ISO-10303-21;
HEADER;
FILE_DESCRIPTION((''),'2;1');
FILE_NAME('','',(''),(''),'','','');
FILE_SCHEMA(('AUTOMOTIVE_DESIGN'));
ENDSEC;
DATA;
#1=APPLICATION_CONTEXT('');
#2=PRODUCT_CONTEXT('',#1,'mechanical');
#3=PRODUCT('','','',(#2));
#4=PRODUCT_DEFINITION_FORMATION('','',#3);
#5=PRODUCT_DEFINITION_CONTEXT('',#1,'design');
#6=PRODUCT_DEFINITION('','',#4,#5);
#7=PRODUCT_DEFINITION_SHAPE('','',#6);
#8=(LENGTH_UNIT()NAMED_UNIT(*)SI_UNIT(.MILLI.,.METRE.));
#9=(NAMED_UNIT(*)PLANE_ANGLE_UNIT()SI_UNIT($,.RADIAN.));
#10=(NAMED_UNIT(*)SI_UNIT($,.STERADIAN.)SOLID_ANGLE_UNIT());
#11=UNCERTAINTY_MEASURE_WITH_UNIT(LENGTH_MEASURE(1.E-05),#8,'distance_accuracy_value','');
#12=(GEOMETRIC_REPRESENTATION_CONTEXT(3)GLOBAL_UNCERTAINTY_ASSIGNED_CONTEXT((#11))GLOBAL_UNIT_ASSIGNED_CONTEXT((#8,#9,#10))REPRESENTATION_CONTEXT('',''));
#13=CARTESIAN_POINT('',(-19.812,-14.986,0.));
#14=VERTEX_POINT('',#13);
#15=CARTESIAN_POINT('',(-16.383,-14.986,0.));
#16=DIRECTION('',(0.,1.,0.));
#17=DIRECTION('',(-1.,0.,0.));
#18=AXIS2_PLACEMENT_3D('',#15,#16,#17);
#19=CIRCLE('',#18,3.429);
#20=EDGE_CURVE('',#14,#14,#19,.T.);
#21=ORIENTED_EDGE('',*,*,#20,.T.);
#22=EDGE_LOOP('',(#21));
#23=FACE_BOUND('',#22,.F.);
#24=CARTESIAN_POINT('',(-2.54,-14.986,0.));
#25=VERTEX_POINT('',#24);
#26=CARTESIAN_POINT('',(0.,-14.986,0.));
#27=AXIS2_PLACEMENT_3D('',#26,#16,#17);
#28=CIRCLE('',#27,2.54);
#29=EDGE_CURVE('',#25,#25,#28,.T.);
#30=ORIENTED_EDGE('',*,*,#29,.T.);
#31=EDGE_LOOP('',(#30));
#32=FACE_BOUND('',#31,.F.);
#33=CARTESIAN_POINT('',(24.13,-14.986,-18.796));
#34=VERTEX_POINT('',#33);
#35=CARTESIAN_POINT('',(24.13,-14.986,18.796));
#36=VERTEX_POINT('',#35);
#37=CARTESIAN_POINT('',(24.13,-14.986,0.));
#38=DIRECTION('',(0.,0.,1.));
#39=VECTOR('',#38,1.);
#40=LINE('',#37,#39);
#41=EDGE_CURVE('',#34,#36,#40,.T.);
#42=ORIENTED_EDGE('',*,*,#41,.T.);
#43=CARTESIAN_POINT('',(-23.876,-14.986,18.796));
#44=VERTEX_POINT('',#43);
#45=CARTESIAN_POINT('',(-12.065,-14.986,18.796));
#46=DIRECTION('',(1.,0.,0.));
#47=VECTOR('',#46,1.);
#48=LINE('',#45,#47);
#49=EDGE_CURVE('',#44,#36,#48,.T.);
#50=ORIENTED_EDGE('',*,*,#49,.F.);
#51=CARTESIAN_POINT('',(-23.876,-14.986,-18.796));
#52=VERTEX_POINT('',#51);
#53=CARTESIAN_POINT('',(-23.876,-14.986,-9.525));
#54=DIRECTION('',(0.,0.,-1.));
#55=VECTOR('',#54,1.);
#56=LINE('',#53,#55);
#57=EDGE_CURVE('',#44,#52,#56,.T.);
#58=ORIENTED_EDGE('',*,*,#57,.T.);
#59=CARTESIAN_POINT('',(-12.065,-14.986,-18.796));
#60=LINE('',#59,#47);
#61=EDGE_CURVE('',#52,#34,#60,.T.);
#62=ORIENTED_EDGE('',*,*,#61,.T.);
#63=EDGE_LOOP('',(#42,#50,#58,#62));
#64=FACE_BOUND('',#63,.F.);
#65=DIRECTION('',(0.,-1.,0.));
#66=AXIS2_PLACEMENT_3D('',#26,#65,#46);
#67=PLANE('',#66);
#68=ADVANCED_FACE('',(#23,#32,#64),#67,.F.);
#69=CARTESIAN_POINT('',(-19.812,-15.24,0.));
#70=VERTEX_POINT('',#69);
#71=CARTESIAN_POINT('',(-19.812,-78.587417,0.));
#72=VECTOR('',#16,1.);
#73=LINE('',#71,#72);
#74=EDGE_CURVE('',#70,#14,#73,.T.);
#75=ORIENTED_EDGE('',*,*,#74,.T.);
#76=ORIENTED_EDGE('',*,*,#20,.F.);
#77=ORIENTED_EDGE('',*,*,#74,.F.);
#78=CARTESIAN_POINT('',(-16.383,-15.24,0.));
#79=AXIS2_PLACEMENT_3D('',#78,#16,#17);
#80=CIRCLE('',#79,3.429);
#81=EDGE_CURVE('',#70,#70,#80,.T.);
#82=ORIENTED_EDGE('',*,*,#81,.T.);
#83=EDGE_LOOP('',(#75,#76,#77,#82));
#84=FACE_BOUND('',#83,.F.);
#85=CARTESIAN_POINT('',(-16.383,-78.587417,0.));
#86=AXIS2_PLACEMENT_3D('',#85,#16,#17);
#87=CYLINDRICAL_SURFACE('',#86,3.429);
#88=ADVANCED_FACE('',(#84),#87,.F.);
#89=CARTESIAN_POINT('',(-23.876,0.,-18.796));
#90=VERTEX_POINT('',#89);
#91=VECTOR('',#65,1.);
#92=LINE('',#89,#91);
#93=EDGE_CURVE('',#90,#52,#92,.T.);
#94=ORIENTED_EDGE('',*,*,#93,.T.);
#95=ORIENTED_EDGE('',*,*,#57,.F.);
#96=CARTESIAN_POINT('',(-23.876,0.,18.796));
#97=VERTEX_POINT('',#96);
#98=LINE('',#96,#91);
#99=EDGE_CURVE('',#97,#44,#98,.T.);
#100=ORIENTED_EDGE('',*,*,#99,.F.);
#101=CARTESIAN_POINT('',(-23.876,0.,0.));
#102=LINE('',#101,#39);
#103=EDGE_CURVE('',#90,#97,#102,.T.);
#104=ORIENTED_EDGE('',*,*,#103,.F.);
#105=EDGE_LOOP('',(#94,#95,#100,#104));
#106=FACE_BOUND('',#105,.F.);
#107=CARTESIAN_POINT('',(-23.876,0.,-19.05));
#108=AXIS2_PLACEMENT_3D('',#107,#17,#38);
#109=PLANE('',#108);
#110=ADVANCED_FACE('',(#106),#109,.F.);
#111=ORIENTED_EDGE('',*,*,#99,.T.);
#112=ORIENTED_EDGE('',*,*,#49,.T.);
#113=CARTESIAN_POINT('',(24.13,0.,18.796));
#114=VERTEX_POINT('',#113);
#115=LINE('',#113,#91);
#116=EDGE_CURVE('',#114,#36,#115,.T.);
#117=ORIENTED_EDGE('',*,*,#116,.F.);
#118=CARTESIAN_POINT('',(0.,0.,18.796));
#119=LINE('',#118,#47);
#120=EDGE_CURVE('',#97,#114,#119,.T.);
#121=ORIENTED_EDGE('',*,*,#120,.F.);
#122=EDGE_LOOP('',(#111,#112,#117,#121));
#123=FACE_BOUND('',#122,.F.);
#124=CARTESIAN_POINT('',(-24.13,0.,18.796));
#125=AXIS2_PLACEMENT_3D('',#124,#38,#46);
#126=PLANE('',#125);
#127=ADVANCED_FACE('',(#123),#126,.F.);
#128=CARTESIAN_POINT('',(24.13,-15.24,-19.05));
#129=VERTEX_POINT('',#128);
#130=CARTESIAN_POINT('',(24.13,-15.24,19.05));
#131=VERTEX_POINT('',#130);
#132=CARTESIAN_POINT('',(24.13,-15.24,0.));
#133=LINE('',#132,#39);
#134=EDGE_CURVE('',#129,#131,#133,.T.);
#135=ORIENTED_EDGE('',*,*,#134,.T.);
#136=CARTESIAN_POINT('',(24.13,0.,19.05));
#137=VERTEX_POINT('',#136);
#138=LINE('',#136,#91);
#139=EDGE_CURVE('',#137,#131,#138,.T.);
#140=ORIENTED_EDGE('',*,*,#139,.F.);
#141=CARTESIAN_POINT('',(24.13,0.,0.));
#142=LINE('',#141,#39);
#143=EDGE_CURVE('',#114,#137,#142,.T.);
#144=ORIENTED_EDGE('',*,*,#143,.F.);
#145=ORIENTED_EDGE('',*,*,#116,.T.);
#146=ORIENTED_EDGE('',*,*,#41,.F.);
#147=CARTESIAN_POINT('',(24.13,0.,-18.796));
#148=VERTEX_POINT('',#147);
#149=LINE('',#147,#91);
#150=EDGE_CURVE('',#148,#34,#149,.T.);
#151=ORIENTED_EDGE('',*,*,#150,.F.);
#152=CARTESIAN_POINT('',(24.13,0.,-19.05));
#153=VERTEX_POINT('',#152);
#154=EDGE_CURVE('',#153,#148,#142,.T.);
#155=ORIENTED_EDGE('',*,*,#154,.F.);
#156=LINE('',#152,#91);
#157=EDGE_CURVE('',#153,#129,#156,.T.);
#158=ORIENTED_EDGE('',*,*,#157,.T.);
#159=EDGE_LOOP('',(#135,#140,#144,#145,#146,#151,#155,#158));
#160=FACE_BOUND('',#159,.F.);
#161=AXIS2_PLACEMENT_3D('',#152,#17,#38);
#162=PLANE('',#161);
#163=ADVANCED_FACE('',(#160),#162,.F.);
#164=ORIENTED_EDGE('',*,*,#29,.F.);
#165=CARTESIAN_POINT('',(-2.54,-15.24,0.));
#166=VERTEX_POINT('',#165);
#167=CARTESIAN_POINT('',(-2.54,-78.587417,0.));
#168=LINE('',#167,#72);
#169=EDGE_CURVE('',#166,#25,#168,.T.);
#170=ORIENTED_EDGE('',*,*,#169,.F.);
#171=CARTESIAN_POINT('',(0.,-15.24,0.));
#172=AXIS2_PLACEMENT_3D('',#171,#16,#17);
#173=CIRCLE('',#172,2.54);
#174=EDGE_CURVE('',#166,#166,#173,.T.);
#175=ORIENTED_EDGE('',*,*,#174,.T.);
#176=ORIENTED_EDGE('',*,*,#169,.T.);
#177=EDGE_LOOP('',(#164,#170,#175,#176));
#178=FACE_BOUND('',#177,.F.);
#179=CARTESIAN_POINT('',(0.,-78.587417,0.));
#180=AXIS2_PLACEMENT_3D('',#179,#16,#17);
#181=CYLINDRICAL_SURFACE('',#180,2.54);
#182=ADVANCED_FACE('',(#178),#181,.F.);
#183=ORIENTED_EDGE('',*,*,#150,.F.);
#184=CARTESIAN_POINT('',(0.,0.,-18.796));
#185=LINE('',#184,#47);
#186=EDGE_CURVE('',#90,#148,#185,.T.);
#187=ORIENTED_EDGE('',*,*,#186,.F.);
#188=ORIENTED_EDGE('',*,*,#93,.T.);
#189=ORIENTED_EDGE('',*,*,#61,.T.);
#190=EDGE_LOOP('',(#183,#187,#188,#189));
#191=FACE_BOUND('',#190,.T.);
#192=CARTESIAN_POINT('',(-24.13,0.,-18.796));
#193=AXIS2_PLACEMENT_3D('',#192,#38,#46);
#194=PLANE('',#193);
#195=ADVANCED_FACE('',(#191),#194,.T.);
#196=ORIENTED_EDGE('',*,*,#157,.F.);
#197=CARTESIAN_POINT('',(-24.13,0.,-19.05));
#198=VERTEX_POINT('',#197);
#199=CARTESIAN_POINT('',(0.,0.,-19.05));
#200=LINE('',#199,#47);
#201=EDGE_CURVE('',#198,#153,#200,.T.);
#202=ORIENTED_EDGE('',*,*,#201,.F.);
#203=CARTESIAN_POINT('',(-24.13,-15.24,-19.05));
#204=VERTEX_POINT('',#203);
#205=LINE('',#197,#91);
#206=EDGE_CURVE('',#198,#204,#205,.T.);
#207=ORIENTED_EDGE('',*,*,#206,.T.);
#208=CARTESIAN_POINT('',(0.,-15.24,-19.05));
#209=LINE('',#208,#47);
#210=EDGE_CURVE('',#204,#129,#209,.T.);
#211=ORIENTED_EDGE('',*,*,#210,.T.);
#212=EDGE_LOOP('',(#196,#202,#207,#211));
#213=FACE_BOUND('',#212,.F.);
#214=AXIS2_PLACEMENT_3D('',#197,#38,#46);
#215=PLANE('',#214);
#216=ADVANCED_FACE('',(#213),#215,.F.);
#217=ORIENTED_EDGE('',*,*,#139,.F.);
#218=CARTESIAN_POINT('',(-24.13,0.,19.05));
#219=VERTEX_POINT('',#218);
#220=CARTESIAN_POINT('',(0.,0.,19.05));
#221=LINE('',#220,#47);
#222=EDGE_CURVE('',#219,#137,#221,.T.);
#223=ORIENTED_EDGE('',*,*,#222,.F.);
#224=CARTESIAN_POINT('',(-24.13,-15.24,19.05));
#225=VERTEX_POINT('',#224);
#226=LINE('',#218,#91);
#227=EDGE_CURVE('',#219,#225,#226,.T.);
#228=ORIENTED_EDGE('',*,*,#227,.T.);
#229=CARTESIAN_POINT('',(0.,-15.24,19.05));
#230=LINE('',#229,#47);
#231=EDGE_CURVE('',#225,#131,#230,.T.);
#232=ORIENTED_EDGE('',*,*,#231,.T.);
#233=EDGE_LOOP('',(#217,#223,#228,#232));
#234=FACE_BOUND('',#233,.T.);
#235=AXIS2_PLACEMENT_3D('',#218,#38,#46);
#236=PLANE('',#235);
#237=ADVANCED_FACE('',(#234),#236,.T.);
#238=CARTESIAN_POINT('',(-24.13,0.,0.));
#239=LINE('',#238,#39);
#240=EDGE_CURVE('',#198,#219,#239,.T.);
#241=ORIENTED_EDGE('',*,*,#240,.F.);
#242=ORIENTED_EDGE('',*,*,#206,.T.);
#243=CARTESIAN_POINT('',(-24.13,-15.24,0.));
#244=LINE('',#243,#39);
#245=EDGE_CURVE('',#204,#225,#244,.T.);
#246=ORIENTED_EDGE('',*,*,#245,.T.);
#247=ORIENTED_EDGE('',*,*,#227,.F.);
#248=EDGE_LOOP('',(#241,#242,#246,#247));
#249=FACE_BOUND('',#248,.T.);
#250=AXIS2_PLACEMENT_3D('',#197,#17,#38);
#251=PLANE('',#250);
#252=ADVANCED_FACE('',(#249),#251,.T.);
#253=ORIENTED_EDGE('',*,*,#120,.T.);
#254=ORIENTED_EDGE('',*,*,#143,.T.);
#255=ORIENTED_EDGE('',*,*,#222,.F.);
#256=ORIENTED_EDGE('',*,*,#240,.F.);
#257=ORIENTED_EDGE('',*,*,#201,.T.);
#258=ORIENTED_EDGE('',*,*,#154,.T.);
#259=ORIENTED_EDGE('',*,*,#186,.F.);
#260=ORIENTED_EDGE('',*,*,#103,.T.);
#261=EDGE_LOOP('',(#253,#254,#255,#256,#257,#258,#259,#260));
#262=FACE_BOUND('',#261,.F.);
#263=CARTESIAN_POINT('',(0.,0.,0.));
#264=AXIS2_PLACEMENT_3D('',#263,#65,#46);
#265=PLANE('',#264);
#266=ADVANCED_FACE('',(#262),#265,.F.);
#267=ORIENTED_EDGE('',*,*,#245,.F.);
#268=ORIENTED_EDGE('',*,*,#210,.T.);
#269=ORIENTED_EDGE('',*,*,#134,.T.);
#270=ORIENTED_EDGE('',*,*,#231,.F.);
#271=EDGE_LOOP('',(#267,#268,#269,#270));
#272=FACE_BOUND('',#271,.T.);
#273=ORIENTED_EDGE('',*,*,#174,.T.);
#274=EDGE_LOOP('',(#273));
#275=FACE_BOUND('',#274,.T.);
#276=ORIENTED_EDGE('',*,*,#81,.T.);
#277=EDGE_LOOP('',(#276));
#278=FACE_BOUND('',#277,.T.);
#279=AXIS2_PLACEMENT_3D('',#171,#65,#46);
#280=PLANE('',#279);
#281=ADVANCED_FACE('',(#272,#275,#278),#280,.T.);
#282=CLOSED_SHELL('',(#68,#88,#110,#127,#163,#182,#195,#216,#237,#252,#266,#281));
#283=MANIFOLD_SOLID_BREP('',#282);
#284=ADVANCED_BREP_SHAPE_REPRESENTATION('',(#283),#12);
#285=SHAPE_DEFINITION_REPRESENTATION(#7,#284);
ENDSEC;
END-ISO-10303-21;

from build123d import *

# Parameters (mm, degrees)
F0_W     = 48.26
F0_H     = 38.1
F1_DEPTH = 15.24
F3_T     = -0.254
F4_D     = 6.858
F6_D     = 5.08


with BuildPart() as f1:
    # F0 (on Front) → F1 (new body)
    with BuildSketch(Plane.XZ):
        Rectangle(F0_W, F0_H)
    extrude(amount=F1_DEPTH)

    # F3
    f3_openings = [f1.faces().sort_by_distance(p)[0] for p in [
        (0, 0, 0),
        (24.13, -7.62, 0),
    ]]
    offset(amount=F3_T, openings=f3_openings)

    # F4 (through all)
    with Locations(Plane.XZ.offset(15.24)):
        with Locations((-16.383, 0)):
            Hole(F4_D / 2)

    # F6 (through all)
    with Locations(Plane.XZ.offset(15.24)):
        with Locations((0, 0)):
            Hole(F6_D / 2)


solid = f1.part
